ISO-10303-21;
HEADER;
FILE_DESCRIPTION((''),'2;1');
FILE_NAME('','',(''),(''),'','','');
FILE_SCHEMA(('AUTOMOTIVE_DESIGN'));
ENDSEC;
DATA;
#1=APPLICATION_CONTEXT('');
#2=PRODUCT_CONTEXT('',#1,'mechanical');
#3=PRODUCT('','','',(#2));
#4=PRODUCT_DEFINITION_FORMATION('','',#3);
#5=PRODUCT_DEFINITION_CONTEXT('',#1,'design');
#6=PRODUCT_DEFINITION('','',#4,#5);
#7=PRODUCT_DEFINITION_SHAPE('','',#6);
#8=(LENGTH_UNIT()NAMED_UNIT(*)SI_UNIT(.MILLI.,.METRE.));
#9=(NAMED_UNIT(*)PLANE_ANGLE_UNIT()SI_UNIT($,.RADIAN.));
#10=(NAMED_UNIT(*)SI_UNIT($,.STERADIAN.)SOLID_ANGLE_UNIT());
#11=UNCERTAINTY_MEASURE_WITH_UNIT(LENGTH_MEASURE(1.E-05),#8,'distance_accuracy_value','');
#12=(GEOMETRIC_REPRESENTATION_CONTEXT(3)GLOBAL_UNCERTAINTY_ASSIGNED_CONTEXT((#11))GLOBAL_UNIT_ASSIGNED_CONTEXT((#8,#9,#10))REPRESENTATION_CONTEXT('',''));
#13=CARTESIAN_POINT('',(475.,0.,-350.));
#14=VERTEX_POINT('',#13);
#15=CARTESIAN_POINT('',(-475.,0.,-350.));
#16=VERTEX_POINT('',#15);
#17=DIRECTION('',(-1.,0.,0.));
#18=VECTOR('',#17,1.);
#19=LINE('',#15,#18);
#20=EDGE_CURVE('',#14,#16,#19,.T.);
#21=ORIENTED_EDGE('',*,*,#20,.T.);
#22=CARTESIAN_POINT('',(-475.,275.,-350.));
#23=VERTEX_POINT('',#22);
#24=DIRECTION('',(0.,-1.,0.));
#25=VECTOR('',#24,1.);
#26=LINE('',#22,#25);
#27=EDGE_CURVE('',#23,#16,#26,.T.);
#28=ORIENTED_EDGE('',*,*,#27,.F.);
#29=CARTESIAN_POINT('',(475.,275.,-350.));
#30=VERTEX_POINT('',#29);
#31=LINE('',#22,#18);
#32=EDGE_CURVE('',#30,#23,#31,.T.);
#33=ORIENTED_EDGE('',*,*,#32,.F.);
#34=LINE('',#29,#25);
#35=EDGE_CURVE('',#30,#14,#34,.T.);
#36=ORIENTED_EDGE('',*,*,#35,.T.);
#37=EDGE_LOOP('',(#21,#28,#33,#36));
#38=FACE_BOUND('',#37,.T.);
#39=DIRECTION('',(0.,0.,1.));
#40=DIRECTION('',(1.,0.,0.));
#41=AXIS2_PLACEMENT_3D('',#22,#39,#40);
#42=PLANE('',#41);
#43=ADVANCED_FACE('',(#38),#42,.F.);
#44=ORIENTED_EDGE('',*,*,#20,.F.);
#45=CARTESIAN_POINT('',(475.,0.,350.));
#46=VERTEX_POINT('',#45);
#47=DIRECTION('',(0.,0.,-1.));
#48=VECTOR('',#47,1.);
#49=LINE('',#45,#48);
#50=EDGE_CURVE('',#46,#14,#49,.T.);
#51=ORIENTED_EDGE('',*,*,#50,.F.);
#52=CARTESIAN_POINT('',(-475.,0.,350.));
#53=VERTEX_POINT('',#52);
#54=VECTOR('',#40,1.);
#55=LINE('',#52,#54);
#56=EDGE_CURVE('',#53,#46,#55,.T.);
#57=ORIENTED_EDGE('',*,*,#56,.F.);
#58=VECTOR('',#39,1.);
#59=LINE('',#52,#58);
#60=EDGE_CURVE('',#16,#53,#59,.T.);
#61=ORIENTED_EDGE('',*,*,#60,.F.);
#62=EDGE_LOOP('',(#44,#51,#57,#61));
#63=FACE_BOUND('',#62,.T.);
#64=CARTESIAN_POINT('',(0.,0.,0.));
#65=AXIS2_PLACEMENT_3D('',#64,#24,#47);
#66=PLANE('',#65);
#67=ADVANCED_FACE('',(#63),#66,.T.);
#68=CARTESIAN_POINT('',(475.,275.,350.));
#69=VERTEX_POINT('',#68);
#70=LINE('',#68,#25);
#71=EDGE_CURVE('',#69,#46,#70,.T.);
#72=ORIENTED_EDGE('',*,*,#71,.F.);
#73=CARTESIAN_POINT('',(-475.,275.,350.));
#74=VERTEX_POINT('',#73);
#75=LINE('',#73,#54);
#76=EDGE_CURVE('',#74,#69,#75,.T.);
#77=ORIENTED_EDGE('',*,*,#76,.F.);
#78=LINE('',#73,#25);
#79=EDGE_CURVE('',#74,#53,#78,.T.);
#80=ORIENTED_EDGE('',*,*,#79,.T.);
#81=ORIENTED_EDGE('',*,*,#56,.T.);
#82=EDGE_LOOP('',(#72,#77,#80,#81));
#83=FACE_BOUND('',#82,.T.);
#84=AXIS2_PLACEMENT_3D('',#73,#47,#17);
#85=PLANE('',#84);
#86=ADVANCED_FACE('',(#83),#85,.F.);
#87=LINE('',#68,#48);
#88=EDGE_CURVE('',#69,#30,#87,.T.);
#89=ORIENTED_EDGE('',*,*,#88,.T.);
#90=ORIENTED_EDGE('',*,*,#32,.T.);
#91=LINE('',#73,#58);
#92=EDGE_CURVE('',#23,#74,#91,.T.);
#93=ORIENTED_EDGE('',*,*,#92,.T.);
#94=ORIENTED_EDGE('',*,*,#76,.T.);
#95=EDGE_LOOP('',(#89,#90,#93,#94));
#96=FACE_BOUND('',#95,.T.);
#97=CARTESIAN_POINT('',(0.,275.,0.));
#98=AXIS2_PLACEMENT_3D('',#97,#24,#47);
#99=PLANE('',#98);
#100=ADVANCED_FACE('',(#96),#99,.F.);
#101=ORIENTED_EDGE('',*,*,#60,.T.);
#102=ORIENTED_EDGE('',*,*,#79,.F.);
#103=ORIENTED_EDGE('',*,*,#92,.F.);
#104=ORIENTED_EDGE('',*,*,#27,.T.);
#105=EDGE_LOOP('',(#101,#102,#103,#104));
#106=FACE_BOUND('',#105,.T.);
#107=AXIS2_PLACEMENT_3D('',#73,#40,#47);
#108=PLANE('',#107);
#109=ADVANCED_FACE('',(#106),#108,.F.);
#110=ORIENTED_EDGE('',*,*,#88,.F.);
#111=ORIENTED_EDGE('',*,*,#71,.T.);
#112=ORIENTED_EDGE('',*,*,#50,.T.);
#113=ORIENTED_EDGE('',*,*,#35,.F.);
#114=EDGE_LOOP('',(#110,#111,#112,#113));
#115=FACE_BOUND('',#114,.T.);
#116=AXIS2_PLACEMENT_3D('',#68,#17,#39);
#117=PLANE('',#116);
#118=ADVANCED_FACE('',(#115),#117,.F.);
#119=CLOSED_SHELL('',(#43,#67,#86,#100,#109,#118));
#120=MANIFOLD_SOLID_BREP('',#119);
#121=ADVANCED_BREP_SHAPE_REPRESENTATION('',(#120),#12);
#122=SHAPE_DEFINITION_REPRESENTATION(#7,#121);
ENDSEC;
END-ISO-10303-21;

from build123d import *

# Parameters (mm, degrees)
SKETCH_1_W   = 950
SKETCH_1_H   = 700
ARM600_DEPTH = 275


with BuildPart() as part:
    # Эскиз1 → Габарит ARM600 (new body)
    with BuildSketch(Plane(origin=(0, 0, 0), x_dir=(1, 0, 0), z_dir=(0, 1, 0))):
        Rectangle(SKETCH_1_W, SKETCH_1_H)
    extrude(amount=ARM600_DEPTH)


solid = part.part
